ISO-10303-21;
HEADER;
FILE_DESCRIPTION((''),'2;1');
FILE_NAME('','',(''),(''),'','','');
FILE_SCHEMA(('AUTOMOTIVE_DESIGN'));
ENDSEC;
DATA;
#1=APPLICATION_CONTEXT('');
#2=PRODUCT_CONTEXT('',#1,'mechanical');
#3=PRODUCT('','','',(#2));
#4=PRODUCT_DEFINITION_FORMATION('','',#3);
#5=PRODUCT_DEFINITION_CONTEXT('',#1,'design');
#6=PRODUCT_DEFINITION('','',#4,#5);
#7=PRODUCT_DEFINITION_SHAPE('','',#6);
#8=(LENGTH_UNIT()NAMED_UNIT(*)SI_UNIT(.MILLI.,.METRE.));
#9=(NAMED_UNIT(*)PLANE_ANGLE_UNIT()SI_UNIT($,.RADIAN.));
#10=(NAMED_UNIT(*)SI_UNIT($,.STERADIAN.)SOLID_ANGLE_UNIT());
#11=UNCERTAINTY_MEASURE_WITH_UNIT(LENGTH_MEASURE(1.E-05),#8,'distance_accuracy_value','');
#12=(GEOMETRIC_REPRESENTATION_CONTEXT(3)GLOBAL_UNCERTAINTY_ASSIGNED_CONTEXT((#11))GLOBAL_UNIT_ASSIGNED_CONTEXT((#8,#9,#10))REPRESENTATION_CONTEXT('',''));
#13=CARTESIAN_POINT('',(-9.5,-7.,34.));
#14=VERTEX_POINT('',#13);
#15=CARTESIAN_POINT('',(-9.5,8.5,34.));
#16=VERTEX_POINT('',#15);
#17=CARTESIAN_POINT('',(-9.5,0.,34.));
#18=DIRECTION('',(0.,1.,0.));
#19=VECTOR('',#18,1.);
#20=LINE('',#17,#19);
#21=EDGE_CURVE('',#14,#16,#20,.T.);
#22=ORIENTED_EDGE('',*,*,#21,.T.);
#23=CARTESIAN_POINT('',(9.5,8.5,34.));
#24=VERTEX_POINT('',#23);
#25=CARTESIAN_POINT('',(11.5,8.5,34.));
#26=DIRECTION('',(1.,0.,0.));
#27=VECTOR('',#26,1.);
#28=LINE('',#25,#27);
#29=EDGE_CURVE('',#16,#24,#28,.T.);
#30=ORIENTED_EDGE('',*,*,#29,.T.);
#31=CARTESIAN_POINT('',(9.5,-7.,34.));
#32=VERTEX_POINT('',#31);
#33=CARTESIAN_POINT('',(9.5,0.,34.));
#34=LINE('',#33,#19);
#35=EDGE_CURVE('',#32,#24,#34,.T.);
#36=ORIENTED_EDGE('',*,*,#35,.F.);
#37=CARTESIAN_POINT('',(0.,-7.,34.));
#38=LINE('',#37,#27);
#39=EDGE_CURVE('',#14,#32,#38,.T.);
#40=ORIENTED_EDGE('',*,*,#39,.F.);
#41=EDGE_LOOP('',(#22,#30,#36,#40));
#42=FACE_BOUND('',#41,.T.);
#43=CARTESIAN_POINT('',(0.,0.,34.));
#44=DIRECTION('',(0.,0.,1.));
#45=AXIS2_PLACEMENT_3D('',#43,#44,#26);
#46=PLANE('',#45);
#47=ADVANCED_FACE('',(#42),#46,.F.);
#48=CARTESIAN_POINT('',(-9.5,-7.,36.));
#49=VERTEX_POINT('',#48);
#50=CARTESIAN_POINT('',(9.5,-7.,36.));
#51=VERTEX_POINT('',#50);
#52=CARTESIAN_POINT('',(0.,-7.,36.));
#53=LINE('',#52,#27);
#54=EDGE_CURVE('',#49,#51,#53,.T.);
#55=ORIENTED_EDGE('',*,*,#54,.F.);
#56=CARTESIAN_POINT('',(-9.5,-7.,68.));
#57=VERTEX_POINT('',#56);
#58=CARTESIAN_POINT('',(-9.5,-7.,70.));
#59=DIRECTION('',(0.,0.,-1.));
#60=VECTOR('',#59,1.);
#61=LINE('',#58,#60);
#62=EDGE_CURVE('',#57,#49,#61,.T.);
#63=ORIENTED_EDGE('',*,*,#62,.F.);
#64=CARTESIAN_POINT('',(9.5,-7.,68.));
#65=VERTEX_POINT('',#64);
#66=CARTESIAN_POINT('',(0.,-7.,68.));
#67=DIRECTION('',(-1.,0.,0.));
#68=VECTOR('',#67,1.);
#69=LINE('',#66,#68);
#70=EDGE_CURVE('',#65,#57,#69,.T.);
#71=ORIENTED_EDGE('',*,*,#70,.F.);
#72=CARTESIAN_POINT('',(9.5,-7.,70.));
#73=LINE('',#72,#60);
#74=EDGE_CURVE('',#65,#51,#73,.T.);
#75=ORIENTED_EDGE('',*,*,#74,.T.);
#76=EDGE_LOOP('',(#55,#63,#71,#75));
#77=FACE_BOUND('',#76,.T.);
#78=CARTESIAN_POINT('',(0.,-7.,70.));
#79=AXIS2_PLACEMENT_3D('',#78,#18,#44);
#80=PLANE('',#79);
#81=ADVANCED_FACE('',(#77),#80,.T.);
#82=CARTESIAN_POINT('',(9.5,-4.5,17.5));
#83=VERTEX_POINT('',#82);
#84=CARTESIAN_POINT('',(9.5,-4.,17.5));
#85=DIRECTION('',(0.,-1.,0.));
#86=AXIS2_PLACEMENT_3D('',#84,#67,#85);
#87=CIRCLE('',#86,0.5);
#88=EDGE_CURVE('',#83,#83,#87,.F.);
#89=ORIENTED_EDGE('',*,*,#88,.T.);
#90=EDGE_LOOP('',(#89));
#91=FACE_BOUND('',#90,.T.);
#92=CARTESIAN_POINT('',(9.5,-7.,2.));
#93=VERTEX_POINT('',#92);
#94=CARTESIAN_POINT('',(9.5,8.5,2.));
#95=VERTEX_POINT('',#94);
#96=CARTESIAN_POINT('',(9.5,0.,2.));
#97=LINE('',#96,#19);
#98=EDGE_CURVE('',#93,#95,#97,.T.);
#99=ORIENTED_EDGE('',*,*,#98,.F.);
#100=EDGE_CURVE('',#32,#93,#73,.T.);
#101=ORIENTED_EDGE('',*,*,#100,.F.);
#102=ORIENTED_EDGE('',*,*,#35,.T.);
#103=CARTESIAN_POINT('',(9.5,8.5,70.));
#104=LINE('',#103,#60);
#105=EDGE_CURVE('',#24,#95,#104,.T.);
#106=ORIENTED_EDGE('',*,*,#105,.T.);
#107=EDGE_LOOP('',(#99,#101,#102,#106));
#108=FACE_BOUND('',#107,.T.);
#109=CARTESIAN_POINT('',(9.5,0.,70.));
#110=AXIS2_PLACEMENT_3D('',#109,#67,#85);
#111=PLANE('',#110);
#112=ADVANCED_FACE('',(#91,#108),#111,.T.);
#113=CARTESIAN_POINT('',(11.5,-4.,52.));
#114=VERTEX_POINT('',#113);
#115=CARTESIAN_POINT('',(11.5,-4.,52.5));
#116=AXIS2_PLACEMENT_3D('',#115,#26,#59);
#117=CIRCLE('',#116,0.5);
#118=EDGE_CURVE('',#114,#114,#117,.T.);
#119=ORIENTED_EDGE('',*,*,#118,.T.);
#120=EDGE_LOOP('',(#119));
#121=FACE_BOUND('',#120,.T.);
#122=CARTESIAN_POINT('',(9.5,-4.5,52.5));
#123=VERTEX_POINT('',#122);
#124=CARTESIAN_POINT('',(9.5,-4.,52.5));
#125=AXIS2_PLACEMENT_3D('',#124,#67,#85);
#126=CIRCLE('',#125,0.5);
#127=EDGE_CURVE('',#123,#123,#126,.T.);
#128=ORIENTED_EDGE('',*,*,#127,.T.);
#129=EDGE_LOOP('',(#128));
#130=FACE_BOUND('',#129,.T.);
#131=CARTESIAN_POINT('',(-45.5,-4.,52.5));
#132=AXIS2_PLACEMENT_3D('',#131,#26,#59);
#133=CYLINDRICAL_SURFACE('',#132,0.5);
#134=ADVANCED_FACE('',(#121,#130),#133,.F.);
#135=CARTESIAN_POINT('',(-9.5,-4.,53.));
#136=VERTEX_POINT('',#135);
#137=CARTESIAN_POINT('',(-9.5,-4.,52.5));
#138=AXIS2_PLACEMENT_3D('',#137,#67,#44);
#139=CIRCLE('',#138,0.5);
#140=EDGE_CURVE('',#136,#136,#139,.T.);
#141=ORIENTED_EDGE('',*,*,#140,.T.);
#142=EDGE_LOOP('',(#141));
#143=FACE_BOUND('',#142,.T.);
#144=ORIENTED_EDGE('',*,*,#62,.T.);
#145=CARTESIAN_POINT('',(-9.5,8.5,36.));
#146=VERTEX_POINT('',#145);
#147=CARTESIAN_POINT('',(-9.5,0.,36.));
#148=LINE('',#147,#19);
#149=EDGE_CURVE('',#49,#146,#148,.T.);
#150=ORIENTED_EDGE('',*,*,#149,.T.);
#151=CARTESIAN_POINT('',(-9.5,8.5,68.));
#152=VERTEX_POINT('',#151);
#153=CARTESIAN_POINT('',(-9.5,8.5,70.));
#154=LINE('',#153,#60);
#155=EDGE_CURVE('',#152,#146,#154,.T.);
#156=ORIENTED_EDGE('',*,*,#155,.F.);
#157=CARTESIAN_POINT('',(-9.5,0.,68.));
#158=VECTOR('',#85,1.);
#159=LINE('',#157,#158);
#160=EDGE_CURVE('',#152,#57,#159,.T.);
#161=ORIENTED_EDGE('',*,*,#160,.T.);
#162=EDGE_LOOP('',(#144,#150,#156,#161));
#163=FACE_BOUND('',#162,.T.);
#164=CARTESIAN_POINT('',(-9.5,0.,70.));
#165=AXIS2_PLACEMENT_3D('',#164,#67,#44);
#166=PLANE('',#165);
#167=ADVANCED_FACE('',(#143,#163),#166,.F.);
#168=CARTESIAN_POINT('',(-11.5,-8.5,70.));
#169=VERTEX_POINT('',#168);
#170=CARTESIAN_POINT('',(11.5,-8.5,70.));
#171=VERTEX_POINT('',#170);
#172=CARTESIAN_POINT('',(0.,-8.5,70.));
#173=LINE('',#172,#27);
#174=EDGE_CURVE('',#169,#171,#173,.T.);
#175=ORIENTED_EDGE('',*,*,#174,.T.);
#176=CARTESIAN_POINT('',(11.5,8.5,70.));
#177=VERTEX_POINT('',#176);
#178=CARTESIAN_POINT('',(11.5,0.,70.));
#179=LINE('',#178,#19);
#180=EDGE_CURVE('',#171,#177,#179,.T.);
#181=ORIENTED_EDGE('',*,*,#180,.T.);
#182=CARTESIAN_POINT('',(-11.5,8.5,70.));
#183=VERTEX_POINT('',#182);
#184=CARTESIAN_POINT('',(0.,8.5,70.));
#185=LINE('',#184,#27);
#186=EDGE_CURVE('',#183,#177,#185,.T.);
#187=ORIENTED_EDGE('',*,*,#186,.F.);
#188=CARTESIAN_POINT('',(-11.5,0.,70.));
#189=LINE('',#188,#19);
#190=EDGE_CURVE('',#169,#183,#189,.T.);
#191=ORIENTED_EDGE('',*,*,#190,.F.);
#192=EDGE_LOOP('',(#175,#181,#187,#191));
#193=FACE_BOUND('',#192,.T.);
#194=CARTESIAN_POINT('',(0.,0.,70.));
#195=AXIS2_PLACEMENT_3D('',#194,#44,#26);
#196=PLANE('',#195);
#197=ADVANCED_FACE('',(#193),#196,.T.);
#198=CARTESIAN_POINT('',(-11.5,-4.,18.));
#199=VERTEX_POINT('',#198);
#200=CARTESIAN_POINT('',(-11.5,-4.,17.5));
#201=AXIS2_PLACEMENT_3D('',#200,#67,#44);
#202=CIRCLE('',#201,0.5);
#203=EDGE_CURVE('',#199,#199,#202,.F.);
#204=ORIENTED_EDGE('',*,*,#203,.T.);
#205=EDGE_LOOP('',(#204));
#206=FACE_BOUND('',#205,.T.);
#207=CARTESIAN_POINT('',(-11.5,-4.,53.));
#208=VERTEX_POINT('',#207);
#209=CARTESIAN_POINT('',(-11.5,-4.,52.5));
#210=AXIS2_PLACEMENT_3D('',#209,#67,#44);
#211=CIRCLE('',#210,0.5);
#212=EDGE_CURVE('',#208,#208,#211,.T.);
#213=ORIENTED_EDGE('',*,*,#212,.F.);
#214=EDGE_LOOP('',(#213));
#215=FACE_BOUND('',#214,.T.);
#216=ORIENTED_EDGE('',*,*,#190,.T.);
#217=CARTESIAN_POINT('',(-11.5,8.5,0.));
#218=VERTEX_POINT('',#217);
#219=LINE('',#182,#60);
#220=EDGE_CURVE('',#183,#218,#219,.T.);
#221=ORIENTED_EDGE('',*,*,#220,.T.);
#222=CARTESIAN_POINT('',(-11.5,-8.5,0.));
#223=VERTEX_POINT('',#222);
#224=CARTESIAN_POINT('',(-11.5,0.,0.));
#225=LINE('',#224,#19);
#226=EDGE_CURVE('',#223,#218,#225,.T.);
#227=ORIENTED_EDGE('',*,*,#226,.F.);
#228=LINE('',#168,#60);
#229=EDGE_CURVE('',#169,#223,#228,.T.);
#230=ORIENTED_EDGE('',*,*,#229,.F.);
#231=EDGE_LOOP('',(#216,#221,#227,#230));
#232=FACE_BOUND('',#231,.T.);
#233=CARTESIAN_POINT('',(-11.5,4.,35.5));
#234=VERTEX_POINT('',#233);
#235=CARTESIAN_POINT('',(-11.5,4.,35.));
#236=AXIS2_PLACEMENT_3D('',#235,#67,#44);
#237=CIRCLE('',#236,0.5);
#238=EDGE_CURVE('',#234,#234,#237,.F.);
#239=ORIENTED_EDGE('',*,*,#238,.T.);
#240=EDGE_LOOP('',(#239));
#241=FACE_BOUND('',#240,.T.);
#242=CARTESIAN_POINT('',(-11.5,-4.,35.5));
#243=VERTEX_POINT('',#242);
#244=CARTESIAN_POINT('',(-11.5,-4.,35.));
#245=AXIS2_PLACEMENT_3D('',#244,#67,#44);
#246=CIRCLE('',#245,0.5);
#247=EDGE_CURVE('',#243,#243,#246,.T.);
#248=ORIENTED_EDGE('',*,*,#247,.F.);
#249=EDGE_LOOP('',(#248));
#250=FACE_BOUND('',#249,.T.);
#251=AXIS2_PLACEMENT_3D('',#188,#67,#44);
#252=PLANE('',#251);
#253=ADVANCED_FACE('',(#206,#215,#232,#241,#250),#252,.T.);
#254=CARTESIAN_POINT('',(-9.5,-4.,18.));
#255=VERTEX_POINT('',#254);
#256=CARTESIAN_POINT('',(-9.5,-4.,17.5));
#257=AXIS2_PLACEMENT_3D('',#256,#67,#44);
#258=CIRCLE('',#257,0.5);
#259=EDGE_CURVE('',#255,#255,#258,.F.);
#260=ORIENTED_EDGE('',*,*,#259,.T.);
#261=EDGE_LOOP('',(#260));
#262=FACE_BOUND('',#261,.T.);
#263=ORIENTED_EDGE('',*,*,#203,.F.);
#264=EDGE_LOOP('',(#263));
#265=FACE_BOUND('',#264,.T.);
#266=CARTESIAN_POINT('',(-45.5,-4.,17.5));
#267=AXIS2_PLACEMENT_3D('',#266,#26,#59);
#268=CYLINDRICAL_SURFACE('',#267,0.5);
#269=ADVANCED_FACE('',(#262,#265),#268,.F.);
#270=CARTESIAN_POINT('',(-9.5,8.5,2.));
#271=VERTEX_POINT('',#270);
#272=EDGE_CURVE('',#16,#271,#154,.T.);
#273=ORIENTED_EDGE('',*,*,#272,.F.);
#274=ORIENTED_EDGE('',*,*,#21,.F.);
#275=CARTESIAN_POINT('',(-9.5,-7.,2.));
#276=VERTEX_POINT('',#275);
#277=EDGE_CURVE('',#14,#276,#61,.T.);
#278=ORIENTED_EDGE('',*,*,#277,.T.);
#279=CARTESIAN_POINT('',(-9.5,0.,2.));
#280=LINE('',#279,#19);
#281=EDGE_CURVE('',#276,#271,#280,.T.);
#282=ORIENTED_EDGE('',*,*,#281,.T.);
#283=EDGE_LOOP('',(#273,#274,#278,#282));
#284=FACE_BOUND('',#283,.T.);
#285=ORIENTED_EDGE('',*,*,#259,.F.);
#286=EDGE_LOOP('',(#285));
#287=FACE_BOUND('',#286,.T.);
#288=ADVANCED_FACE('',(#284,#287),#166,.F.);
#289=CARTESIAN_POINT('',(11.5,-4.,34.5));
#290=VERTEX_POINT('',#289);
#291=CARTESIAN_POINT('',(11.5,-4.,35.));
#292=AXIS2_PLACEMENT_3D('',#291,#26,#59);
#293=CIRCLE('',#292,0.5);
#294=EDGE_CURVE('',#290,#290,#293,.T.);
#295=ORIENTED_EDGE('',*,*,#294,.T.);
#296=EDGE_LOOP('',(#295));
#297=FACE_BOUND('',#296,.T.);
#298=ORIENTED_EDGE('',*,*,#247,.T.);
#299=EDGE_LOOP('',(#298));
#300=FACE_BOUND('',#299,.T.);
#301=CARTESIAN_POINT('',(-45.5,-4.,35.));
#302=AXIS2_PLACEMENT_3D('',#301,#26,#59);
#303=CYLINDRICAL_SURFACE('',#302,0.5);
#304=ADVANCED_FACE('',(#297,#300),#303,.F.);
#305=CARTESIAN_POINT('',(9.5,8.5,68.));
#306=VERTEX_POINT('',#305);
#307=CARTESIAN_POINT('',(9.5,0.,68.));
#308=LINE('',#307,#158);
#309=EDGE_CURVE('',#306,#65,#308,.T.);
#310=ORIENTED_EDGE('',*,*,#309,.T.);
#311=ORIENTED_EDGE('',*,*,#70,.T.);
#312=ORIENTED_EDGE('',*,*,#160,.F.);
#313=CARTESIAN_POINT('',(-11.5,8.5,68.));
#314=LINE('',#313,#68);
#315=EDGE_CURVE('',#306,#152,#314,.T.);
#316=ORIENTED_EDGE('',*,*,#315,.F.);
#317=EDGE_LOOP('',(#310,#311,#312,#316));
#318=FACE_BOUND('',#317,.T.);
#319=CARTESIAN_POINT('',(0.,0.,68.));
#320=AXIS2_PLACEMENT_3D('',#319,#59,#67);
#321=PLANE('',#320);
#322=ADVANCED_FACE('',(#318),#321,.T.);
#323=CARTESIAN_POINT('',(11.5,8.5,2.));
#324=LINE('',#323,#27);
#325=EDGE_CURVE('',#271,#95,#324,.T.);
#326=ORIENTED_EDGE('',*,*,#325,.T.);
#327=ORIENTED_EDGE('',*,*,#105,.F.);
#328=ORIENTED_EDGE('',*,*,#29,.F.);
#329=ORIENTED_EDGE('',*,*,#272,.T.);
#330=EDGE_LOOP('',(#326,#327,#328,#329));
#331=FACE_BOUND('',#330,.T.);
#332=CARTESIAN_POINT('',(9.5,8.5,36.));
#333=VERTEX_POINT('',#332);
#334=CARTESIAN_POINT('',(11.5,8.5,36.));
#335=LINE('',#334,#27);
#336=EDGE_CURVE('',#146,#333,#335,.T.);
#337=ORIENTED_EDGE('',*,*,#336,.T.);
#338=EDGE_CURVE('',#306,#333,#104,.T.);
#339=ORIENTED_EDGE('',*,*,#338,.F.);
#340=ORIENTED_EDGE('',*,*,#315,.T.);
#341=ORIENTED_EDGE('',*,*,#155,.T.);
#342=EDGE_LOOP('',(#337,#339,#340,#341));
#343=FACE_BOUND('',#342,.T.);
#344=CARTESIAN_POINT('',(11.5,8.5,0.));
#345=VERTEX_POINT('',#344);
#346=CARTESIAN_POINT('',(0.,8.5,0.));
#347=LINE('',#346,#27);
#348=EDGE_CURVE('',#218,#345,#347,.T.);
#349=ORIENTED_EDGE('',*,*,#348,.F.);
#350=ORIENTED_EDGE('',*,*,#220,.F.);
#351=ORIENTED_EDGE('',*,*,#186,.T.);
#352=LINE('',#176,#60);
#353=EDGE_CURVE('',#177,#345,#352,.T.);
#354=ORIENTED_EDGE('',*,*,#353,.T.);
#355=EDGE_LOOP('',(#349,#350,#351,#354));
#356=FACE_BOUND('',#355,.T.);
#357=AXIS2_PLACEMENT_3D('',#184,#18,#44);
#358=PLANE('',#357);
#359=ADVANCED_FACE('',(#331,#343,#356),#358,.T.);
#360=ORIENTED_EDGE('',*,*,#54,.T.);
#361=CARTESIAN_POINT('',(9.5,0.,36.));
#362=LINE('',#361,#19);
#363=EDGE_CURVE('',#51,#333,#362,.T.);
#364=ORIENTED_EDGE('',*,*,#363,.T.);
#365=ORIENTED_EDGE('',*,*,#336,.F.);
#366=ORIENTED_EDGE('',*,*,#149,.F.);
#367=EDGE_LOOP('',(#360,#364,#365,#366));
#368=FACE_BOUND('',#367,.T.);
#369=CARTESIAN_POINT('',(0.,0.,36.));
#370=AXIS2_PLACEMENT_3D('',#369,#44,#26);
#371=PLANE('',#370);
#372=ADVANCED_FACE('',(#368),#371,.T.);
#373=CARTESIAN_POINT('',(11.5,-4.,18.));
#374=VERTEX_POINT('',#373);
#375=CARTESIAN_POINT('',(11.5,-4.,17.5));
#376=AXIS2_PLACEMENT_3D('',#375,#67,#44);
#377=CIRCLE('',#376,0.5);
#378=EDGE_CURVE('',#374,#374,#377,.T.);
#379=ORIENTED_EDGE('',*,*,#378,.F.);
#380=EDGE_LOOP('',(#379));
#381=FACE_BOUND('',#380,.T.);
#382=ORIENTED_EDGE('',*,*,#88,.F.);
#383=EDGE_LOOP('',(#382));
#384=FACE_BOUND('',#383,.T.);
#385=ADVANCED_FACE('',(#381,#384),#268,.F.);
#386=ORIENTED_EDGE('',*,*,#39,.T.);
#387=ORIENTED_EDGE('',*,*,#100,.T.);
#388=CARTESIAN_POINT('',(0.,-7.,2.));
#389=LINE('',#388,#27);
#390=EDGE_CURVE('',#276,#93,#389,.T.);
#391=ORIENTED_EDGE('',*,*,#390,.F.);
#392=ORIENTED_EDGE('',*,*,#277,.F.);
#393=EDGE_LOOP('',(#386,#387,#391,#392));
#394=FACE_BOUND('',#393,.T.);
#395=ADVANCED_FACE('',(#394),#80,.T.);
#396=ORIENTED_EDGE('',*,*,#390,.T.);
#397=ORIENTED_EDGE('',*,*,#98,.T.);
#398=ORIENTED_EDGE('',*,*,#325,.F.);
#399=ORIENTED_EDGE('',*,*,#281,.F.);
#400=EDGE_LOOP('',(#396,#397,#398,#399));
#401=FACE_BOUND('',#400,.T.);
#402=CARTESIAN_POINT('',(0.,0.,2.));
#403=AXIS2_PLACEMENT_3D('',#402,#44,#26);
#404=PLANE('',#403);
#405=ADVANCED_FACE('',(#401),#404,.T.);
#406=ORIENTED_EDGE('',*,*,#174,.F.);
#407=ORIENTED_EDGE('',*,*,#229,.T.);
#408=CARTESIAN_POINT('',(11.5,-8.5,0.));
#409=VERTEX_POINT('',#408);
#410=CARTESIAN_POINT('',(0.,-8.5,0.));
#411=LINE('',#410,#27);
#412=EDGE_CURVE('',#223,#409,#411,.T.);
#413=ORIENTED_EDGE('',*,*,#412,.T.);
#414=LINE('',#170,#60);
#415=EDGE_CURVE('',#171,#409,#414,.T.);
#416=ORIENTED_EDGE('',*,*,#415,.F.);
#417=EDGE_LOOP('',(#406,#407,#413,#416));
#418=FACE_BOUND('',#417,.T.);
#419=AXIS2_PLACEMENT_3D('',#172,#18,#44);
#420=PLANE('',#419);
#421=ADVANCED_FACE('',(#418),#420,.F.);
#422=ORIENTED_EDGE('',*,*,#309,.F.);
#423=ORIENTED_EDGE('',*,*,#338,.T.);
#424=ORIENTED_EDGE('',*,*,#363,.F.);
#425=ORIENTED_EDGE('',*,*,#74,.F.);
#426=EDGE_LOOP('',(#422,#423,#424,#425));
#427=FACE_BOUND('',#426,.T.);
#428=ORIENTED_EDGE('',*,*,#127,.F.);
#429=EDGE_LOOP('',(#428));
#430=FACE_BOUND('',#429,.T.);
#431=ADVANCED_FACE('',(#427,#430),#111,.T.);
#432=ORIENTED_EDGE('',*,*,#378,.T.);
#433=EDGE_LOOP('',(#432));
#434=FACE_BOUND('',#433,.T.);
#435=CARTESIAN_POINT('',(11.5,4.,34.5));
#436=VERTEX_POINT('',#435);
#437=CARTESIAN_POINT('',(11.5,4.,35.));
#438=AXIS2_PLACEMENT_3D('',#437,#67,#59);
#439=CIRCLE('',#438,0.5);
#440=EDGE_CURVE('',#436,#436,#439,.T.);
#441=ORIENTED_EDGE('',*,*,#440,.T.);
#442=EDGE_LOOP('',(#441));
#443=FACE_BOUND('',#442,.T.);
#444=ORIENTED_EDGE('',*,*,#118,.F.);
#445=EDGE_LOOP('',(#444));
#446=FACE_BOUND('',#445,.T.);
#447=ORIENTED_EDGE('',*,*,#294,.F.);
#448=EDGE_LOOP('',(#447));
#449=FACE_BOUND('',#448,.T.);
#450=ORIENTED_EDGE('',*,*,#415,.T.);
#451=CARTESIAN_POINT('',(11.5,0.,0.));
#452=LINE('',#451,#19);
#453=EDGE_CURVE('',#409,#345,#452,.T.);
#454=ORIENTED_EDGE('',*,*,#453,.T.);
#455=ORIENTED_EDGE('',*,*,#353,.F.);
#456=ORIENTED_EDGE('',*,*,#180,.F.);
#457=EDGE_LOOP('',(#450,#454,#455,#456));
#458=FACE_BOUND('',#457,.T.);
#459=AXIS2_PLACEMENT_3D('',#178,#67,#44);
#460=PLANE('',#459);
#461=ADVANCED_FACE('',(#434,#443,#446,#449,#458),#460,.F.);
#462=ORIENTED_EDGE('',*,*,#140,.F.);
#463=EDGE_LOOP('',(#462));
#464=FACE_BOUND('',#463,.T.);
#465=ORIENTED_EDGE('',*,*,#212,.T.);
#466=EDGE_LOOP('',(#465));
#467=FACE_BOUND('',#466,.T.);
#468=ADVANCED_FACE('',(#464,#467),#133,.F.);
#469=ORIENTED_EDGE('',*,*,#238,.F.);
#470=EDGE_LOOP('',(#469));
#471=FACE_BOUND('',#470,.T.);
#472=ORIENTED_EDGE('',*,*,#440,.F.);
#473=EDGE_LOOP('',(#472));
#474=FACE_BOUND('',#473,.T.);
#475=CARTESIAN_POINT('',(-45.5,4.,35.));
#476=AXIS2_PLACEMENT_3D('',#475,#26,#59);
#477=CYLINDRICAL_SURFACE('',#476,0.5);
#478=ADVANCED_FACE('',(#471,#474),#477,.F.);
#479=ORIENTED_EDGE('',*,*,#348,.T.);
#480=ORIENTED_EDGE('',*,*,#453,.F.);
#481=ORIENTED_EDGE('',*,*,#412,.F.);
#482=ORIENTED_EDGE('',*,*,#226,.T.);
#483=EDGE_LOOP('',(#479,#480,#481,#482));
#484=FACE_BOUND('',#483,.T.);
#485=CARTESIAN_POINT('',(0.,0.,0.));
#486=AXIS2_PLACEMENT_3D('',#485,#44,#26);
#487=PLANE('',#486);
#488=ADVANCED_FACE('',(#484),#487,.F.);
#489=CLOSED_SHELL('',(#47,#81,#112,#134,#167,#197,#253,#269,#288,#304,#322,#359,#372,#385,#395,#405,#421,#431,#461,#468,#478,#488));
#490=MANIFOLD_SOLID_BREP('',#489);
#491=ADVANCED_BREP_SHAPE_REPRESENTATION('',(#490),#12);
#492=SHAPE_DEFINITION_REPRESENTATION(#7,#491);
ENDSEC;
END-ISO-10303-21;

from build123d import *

# Parameters (mm, degrees)
BOSS_EXTRUDE1_DEPTH      = 70
SKETCH2_W                = 23
SKETCH2_H                = 17
BOSS_EXTRUDE2_DEPTH      = 2
SKETCH3_W                = 23
SKETCH3_H                = 17
BOSS_EXTRUDE3_DEPTH      = 2
SKETCH4_W                = 23
SKETCH4_H                = 17
BOSS_EXTRUDE4_DEPTH      = 1
BOSS_EXTRUDE4_DEPTH_BACK = 1
SKETCH6_R                = 0.5
CUT_EXTRUDE7_DEPTH       = 57
SKETCH7_R                = 0.5
CUT_EXTRUDE8_DEPTH       = 57


with BuildPart() as part:
    # Sketch1 → Boss-Extrude1 (new body)
    with BuildSketch(Plane.XY):
        Polygon((-11.5, 8.5), (-11.5, -8.5), (11.5, -8.5), (11.5, 8.5), (9.5, 8.5), (9.5, 7), (9.5, -7), (-9.5, -7), (-9.5, 7), (-9.5, 8.5), align=None)
    extrude(amount=BOSS_EXTRUDE1_DEPTH)

    # Sketch2 → Boss-Extrude2 (add)
    with BuildSketch(Plane.XY.offset(70)):
        Rectangle(SKETCH2_W, SKETCH2_H)
    extrude(amount=-BOSS_EXTRUDE2_DEPTH)

    # Sketch3 → Boss-Extrude3 (add)
    with BuildSketch(Plane(origin=(0, 0, 0), x_dir=(-1, 0, 0), z_dir=(0, 0, -1))):
        Rectangle(SKETCH3_W, SKETCH3_H)
    extrude(amount=-BOSS_EXTRUDE3_DEPTH)

    # Sketch4 → Boss-Extrude4 (add, two sides)
    with BuildSketch(Plane(origin=(0, 0, 35), x_dir=(-1, 0, 0), z_dir=(0, 0, -1))) as boss_extrude4_sk:
        Rectangle(SKETCH4_W, SKETCH4_H)
    extrude(amount=BOSS_EXTRUDE4_DEPTH)
    extrude(boss_extrude4_sk.sketch, amount=-BOSS_EXTRUDE4_DEPTH_BACK)

    # Sketch6 → Cut-Extrude7 (cut)
    with BuildSketch(Plane(origin=(11.5, 0, 0), x_dir=(0, 0, -1), z_dir=(1, 0, 0))):
        with Locations((-35, -4)):
            Circle(SKETCH6_R)
    cut_extrude7 = extrude(amount=-CUT_EXTRUDE7_DEPTH, mode=Mode.SUBTRACT)

    # Sketch7 → Cut-Extrude8 (cut)
    with BuildSketch(Plane(origin=(11.5, 0, 0), x_dir=(0, 0, -1), z_dir=(1, 0, 0))):
        with Locations((-52.5, -4)):
            Circle(SKETCH7_R)
    cut_extrude8 = extrude(amount=-CUT_EXTRUDE8_DEPTH, mode=Mode.SUBTRACT)

    # Mirror1: Cut-Extrude8 across plane
    add(cut_extrude8.mirror(Plane(origin=(0, 0, 35), x_dir=(1, 0, 0), z_dir=(0, 0, -1))), mode=Mode.SUBTRACT)

    # Mirror2: Cut-Extrude7 across plane
    add(cut_extrude7.mirror(Plane.ZX), mode=Mode.SUBTRACT)


solid = part.part
